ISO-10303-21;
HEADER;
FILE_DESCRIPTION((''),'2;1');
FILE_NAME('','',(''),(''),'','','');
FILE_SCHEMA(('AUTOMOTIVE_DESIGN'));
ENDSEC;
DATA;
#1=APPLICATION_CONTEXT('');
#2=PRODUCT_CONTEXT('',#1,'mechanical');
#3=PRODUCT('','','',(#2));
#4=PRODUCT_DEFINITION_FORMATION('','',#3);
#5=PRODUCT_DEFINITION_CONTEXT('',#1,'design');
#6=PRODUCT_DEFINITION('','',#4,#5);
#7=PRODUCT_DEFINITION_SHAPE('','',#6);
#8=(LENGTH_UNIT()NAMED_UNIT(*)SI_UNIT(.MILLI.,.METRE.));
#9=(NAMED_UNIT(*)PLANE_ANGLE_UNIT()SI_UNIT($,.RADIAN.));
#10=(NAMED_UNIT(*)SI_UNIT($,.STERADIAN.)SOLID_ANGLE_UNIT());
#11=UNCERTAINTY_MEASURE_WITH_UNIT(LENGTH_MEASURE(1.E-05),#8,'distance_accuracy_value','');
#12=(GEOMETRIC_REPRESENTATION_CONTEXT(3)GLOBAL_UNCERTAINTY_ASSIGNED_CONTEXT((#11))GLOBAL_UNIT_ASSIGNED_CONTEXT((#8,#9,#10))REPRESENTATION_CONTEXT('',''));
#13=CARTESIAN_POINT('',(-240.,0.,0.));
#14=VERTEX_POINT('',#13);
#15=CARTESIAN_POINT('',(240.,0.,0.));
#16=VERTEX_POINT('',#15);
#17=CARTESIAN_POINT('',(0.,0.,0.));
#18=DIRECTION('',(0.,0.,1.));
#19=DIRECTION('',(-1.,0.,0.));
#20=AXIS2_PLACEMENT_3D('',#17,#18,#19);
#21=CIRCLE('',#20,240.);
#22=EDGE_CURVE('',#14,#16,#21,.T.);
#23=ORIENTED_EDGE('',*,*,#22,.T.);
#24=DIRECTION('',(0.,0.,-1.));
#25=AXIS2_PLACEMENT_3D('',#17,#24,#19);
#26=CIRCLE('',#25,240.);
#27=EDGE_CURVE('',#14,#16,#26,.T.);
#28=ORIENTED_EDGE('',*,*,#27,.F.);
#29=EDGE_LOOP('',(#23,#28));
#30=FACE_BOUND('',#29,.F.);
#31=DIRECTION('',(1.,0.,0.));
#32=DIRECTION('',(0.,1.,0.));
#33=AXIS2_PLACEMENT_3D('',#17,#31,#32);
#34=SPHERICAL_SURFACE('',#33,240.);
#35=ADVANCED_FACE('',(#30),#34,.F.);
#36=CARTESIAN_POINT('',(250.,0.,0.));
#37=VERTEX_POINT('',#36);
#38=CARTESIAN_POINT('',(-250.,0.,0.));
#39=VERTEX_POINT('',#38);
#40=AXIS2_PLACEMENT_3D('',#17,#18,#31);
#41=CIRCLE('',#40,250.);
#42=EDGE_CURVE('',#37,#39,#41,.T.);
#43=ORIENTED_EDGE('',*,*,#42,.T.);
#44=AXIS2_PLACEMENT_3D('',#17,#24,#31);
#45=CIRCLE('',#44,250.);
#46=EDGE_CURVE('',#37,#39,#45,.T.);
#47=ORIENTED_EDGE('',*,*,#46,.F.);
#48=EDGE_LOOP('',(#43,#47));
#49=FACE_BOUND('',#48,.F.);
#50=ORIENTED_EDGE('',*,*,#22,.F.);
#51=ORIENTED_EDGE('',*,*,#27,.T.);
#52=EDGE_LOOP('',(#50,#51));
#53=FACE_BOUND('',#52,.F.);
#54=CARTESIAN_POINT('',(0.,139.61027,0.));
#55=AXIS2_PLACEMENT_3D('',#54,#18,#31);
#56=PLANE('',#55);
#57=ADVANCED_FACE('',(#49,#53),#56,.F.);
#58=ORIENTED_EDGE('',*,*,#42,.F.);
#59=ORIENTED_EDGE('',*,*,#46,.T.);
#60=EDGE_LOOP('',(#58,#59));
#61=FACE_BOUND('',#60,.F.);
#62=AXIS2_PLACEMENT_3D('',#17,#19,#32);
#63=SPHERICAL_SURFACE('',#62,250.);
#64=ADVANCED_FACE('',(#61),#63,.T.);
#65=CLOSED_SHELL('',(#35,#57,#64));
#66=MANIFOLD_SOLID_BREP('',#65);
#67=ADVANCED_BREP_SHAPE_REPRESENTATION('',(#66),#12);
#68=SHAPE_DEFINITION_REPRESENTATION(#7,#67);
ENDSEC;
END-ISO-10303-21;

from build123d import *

# Parameters (mm, degrees)
F1_ANGLE = 180


with BuildPart() as f1:
    # F0 (on Top) → F1 (revolve)
    with BuildSketch(Plane.XY):
        with BuildLine():
            ThreePointArc((-240, 0), (0, 240), (240, 0))
            Line((240, 0), (250, 0))
            ThreePointArc((250, 0), (0, 250), (-250, 0))
            Line((-250, 0), (-240, 0))
        make_face()
    revolve(axis=Axis((-245, 0, 0), (1, 0, 0)), revolution_arc=F1_ANGLE)


solid = f1.part
